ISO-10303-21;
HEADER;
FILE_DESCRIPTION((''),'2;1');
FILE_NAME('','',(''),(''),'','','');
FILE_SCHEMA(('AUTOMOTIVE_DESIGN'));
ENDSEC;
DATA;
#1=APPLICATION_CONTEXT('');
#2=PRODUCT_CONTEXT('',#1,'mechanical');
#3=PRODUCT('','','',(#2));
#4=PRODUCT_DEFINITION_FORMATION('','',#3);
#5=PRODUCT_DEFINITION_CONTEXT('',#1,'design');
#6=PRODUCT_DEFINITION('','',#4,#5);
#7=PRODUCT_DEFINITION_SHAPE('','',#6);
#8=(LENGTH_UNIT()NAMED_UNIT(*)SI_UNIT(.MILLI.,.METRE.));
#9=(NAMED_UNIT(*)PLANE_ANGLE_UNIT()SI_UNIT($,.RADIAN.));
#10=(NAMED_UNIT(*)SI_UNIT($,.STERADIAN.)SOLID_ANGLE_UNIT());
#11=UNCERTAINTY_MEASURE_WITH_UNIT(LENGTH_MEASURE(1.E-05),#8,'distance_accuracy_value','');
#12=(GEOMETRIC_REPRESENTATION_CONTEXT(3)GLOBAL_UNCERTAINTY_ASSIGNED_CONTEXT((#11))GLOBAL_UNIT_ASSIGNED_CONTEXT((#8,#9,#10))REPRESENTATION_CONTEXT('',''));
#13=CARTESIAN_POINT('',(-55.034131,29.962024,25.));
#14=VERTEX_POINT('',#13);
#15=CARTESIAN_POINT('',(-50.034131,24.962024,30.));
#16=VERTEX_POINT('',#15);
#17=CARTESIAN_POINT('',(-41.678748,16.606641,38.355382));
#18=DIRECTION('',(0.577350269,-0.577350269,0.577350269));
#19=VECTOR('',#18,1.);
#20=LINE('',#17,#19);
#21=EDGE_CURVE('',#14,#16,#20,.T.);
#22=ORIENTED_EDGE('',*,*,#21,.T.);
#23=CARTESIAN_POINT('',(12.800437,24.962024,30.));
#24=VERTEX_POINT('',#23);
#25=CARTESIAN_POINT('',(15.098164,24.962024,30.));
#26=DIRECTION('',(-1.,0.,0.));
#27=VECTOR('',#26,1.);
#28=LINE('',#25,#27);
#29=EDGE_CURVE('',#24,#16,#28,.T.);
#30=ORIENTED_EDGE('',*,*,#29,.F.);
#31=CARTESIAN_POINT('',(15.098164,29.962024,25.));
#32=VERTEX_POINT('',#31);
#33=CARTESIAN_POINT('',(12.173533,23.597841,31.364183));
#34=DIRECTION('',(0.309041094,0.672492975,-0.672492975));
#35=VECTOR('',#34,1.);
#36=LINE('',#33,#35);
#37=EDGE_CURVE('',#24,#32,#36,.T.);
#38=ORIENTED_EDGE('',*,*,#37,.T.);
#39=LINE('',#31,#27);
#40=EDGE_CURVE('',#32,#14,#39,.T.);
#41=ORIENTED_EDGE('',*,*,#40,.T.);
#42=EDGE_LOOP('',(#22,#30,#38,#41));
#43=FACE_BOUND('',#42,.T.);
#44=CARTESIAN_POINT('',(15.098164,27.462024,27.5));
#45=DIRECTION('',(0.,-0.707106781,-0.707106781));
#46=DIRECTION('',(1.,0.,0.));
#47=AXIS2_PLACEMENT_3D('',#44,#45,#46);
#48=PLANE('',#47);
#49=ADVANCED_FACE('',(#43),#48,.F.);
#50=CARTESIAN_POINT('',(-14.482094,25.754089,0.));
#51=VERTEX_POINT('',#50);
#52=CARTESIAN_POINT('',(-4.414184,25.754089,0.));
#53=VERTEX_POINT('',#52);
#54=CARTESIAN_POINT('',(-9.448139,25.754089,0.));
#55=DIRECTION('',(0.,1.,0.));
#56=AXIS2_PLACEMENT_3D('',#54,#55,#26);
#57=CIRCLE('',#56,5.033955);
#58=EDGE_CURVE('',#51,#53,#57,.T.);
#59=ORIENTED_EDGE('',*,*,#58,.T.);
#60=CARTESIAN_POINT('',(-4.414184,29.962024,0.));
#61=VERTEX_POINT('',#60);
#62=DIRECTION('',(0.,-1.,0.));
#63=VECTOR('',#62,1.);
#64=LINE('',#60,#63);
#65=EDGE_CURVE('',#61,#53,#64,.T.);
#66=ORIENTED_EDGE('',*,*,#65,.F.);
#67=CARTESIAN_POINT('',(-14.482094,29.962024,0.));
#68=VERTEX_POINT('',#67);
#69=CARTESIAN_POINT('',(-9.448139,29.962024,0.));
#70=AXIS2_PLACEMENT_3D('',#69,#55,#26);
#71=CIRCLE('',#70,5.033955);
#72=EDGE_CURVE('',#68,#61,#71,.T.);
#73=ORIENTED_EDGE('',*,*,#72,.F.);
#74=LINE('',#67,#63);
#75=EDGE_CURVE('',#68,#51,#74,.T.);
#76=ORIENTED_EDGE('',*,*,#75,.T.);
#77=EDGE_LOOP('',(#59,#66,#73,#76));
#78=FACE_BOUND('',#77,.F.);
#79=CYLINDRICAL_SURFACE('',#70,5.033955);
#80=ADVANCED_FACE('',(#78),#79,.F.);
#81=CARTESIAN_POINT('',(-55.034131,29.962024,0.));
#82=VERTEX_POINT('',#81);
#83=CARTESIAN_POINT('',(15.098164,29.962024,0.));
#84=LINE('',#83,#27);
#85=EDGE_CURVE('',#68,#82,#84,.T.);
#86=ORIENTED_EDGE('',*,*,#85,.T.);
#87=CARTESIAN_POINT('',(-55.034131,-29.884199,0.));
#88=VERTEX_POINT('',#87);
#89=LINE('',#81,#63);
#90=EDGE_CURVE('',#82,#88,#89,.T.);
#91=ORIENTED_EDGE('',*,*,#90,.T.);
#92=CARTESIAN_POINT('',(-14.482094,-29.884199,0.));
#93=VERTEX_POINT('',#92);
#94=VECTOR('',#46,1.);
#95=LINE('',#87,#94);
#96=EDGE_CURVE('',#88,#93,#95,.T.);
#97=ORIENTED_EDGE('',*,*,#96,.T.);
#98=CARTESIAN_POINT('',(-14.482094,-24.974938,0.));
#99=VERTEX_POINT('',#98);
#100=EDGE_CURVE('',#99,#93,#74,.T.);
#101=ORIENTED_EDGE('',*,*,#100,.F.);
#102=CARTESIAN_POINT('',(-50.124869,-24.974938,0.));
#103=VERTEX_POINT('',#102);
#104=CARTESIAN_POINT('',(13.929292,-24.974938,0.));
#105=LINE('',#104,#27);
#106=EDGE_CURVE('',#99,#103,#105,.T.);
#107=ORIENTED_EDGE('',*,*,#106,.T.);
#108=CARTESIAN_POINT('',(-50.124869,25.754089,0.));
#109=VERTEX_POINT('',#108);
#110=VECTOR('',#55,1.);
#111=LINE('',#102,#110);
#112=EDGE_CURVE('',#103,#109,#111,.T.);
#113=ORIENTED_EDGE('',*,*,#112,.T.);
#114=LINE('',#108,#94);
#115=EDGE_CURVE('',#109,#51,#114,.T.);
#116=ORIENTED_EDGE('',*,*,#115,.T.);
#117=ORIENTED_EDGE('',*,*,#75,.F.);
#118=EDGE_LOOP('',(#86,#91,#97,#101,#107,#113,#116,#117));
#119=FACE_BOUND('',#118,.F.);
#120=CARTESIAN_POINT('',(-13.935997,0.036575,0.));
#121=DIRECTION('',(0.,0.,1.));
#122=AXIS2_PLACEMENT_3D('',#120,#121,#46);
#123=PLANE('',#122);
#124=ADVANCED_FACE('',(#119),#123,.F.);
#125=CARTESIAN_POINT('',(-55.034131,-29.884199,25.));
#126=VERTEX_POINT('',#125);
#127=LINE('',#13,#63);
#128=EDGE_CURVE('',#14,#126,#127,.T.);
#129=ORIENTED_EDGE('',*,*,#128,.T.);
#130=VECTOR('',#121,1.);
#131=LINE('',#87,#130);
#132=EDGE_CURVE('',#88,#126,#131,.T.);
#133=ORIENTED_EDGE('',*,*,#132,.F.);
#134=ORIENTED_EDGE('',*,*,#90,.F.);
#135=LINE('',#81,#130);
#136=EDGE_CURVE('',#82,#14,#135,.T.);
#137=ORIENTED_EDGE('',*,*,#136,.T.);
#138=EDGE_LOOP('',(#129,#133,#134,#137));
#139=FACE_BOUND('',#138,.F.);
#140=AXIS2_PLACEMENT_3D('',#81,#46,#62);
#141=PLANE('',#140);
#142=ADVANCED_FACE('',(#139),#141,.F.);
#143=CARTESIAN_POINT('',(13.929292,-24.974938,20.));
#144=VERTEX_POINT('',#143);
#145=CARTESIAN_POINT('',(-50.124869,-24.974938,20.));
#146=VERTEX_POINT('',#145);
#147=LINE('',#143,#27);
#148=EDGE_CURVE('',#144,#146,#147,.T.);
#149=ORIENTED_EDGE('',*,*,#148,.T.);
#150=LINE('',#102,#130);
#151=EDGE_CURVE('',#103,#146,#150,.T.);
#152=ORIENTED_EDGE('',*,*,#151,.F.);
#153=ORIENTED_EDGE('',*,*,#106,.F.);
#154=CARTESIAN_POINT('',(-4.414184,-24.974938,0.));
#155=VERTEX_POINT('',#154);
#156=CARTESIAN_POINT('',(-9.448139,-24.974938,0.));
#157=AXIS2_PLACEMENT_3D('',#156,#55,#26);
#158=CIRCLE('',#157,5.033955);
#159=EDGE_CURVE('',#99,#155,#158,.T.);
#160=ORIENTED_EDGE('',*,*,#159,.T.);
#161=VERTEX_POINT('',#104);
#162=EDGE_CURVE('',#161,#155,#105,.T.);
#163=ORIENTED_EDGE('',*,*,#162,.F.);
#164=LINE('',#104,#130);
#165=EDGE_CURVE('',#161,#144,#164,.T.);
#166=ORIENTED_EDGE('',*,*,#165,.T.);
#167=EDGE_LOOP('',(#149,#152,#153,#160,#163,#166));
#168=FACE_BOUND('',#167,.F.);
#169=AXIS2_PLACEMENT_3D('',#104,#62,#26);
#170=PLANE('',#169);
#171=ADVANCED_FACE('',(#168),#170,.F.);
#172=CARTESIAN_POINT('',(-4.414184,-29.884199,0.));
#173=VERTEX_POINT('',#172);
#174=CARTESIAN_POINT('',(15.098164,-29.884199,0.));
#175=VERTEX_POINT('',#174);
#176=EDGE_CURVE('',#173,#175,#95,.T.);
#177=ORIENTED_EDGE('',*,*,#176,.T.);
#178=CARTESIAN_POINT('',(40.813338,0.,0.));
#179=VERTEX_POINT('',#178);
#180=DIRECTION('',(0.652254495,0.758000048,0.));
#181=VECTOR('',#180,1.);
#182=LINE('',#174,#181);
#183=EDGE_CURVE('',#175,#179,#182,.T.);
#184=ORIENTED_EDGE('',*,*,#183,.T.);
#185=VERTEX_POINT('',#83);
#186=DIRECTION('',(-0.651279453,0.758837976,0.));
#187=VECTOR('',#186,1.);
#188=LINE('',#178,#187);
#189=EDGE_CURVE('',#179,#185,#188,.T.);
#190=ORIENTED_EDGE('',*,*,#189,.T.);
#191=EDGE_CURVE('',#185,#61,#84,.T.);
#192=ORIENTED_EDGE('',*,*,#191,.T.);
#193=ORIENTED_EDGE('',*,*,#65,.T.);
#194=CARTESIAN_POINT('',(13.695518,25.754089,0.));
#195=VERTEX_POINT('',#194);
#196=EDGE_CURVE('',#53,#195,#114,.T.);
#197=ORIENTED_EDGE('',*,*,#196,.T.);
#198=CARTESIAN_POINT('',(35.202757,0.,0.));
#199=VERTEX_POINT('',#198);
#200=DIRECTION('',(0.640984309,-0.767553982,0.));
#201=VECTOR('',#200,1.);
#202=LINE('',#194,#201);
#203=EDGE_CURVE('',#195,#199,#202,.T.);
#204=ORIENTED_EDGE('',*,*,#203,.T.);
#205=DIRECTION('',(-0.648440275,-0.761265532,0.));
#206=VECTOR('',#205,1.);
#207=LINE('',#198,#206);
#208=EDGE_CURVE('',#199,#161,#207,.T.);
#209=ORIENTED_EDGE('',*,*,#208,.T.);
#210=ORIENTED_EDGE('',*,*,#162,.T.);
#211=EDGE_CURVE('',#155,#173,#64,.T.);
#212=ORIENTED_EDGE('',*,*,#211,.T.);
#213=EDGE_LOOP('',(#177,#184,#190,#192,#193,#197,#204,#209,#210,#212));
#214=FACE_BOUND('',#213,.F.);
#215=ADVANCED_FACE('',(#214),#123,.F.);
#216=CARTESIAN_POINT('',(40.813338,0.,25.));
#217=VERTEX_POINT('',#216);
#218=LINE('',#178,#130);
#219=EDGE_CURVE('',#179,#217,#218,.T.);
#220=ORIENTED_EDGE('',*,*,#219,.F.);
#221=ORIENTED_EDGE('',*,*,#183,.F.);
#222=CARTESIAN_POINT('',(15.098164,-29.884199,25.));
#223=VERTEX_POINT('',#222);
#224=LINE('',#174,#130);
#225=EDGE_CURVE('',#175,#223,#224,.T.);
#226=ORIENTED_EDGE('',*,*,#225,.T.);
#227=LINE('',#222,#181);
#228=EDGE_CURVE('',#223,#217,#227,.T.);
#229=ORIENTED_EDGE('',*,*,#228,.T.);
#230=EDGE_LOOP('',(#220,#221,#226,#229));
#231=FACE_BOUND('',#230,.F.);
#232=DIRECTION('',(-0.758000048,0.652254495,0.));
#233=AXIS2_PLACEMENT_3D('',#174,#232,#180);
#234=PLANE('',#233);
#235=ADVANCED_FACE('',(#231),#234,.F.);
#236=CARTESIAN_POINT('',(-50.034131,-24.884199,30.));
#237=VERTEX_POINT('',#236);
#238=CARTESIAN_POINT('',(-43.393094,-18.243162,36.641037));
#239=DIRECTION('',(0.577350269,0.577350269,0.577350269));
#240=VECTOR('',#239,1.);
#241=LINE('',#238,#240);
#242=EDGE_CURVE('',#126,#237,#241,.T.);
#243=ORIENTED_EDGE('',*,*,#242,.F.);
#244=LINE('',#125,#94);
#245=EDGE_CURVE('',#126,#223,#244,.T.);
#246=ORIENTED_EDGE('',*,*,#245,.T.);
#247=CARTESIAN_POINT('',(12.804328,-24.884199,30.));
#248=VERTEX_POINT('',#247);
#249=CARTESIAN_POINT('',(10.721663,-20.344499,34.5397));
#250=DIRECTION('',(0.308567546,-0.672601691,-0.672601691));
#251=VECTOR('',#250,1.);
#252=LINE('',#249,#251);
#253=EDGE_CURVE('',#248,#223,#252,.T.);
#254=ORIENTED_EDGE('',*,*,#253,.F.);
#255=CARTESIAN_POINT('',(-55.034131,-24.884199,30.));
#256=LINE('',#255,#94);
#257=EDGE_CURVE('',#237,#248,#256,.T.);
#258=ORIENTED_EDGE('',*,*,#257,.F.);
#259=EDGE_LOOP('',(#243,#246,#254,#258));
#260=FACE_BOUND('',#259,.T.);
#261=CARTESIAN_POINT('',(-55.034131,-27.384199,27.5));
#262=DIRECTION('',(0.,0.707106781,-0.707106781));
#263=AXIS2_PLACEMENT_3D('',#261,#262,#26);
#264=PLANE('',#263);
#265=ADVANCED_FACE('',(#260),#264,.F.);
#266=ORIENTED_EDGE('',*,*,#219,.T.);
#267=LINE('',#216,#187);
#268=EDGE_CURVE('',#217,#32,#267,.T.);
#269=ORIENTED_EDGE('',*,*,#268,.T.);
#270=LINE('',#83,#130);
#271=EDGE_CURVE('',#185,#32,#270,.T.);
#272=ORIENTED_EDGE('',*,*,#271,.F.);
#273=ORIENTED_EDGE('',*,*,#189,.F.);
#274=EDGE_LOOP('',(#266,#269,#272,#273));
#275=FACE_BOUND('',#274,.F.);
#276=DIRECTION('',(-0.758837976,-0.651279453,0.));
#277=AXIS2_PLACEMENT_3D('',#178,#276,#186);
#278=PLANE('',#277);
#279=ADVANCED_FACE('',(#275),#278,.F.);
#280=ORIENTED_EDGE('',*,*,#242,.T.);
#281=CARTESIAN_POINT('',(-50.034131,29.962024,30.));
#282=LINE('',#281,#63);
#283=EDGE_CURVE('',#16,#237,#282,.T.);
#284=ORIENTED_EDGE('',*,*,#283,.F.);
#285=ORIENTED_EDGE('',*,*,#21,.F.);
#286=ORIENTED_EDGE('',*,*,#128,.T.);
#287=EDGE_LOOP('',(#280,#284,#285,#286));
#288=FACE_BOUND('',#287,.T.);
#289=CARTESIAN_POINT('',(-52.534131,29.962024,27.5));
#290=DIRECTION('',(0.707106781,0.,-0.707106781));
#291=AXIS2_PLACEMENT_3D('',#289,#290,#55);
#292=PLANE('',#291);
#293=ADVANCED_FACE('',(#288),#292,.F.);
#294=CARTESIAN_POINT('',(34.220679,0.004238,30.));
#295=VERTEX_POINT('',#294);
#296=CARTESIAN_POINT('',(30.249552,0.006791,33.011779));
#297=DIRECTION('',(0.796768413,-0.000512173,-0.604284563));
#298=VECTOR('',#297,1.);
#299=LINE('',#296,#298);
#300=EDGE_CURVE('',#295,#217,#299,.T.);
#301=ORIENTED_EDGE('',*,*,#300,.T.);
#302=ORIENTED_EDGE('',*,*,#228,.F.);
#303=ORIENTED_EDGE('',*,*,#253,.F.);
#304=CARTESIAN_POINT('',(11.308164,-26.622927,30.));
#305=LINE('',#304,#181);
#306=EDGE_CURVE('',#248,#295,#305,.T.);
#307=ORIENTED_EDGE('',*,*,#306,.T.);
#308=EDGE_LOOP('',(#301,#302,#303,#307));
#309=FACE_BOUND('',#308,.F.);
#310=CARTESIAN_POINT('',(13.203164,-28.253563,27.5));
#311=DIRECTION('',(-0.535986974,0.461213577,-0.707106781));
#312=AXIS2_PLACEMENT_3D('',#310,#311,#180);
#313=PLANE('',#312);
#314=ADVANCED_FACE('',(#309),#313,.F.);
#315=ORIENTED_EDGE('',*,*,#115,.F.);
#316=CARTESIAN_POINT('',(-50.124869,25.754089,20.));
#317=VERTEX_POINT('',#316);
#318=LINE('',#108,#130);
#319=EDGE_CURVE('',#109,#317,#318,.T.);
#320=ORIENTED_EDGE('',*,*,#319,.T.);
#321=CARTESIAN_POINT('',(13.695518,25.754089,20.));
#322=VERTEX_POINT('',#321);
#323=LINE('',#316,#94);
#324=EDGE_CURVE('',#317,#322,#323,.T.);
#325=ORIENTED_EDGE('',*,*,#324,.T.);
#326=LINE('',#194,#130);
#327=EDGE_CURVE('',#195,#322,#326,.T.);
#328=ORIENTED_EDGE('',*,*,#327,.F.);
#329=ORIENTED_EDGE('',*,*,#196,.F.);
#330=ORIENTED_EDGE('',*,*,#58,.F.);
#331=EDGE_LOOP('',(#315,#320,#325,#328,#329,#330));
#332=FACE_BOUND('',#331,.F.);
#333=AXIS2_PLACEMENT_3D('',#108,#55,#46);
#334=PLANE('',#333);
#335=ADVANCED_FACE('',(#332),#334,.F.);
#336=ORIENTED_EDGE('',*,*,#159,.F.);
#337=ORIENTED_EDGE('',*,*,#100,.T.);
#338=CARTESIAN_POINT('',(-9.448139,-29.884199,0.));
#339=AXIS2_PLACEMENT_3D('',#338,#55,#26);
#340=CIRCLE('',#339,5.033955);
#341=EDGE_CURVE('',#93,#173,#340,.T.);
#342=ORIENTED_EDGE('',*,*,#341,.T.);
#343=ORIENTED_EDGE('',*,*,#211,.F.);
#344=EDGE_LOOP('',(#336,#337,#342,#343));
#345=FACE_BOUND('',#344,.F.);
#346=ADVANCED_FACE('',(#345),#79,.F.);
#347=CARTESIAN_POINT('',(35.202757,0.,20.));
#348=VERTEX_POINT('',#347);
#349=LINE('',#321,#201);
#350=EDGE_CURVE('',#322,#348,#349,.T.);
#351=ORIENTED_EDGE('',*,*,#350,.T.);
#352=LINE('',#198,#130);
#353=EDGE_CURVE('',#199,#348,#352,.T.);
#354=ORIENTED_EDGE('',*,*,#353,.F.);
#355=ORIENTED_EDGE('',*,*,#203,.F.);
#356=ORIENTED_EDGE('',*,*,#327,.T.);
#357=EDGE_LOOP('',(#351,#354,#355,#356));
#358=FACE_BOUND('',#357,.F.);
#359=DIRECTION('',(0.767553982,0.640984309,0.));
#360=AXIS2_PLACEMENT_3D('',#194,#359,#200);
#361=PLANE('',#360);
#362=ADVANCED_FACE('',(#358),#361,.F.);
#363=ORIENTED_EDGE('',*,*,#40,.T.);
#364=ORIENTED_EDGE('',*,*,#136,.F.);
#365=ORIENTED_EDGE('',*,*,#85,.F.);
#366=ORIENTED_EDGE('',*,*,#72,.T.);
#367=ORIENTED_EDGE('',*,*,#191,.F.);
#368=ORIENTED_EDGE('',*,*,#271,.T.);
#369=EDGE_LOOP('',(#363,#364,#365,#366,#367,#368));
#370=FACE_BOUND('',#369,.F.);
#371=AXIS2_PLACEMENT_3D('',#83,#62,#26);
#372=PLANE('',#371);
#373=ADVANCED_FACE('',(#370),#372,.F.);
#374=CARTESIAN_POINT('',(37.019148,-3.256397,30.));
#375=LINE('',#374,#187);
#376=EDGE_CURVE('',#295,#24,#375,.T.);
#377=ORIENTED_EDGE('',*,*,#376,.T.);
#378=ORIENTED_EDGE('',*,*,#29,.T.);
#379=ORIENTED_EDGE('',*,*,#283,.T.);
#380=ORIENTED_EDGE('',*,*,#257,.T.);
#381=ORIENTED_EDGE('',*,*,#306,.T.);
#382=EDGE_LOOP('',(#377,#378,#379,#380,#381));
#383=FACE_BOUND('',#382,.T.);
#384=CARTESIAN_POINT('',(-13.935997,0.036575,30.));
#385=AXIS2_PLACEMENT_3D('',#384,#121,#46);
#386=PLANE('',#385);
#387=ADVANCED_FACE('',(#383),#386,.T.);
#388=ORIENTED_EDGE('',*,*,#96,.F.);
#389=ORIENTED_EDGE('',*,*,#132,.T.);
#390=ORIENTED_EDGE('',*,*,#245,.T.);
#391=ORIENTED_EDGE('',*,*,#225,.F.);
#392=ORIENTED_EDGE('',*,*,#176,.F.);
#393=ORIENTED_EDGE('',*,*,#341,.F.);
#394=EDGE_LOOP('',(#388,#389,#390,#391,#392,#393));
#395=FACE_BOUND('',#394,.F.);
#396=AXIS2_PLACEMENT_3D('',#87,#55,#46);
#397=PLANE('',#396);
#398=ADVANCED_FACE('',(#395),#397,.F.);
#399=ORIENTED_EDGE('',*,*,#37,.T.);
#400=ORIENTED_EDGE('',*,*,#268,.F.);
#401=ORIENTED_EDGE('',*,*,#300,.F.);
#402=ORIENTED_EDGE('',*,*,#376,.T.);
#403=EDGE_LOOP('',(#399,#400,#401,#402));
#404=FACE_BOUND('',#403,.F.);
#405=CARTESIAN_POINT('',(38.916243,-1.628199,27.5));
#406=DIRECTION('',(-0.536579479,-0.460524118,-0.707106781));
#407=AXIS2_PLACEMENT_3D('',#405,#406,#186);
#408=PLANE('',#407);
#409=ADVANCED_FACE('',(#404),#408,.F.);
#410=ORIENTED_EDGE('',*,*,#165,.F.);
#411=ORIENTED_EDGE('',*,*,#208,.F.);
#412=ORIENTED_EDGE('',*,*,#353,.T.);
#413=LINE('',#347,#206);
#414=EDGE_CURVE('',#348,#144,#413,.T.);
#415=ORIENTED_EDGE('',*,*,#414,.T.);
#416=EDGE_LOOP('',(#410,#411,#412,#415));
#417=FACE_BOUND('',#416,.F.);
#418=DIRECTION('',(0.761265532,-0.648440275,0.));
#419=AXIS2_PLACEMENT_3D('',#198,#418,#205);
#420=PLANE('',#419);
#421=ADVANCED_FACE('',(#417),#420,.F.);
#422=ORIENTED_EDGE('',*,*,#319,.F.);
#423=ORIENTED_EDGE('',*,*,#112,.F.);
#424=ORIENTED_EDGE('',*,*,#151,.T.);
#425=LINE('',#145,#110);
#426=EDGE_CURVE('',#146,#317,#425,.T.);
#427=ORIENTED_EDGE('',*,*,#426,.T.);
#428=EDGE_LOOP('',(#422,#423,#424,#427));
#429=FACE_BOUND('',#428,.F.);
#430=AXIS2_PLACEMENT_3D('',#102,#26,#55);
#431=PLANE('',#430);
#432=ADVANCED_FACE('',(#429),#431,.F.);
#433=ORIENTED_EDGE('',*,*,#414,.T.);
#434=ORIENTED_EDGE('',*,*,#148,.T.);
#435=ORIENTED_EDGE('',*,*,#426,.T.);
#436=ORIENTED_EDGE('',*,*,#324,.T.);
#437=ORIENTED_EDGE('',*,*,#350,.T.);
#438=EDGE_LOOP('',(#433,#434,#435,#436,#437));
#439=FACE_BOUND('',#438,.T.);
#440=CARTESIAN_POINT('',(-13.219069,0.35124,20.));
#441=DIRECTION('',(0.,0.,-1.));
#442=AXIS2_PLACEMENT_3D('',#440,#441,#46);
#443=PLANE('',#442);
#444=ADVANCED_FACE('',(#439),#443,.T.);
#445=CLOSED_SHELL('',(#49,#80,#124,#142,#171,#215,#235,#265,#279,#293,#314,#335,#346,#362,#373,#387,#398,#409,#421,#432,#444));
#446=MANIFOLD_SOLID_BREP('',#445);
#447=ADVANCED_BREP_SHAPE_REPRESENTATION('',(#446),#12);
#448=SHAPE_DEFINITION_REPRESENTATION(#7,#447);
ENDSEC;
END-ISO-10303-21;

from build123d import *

# Parameters (mm, degrees)
F1_DEPTH = 30
F3_DEPTH = 20
F4_SIZE  = 5
F6_DEPTH = 100


with BuildPart() as f1:
    # F0 (on Top) → F1 (new body)
    with BuildSketch(Plane.XY):
        Polygon((-55.034131, 29.962024), (-55.034131, 0), (-55.034131, -29.884199), (15.098164, -29.884199), (40.813338, 0), (15.098164, 29.962024), align=None)
    extrude(amount=F1_DEPTH)

    # F2 (on face) → F3 (cut)
    with BuildSketch(Plane(origin=(0, 0, 0), x_dir=(1, 0, 0), z_dir=(0, 0, -1))):
        Polygon((35.202757, 0), (13.929292, 24.974938), (-50.124869, 24.974938), (-50.124869, -25.754089), (13.695518, -25.754089), align=None)
    extrude(amount=-F3_DEPTH, mode=Mode.SUBTRACT)

    # F4
    f4_edges = [f1.edges().sort_by_distance(p)[0] for p in [
        (27.955751, -14.942099, 30),
        (27.955751, 14.981012, 30),
        (-19.967983, 29.962024, 30),
        (-19.967983, -29.884199, 30),
        (-55.034131, 0.038913, 30),
    ]]
    chamfer(f4_edges, length=F4_SIZE)

    # F5 (on face) → F6 (cut)
    with BuildSketch(Plane(origin=(0, 29.962024, 0), x_dir=(-1, 0, 0), z_dir=(0, 1, 0))):
        with BuildLine():
            Line((4.414184, 0), (14.482094, 0))
            ThreePointArc((14.482094, 0), (9.448139, 5.033955), (4.414184, 0))
        make_face()
    extrude(amount=-F6_DEPTH, mode=Mode.SUBTRACT)


solid = f1.part
